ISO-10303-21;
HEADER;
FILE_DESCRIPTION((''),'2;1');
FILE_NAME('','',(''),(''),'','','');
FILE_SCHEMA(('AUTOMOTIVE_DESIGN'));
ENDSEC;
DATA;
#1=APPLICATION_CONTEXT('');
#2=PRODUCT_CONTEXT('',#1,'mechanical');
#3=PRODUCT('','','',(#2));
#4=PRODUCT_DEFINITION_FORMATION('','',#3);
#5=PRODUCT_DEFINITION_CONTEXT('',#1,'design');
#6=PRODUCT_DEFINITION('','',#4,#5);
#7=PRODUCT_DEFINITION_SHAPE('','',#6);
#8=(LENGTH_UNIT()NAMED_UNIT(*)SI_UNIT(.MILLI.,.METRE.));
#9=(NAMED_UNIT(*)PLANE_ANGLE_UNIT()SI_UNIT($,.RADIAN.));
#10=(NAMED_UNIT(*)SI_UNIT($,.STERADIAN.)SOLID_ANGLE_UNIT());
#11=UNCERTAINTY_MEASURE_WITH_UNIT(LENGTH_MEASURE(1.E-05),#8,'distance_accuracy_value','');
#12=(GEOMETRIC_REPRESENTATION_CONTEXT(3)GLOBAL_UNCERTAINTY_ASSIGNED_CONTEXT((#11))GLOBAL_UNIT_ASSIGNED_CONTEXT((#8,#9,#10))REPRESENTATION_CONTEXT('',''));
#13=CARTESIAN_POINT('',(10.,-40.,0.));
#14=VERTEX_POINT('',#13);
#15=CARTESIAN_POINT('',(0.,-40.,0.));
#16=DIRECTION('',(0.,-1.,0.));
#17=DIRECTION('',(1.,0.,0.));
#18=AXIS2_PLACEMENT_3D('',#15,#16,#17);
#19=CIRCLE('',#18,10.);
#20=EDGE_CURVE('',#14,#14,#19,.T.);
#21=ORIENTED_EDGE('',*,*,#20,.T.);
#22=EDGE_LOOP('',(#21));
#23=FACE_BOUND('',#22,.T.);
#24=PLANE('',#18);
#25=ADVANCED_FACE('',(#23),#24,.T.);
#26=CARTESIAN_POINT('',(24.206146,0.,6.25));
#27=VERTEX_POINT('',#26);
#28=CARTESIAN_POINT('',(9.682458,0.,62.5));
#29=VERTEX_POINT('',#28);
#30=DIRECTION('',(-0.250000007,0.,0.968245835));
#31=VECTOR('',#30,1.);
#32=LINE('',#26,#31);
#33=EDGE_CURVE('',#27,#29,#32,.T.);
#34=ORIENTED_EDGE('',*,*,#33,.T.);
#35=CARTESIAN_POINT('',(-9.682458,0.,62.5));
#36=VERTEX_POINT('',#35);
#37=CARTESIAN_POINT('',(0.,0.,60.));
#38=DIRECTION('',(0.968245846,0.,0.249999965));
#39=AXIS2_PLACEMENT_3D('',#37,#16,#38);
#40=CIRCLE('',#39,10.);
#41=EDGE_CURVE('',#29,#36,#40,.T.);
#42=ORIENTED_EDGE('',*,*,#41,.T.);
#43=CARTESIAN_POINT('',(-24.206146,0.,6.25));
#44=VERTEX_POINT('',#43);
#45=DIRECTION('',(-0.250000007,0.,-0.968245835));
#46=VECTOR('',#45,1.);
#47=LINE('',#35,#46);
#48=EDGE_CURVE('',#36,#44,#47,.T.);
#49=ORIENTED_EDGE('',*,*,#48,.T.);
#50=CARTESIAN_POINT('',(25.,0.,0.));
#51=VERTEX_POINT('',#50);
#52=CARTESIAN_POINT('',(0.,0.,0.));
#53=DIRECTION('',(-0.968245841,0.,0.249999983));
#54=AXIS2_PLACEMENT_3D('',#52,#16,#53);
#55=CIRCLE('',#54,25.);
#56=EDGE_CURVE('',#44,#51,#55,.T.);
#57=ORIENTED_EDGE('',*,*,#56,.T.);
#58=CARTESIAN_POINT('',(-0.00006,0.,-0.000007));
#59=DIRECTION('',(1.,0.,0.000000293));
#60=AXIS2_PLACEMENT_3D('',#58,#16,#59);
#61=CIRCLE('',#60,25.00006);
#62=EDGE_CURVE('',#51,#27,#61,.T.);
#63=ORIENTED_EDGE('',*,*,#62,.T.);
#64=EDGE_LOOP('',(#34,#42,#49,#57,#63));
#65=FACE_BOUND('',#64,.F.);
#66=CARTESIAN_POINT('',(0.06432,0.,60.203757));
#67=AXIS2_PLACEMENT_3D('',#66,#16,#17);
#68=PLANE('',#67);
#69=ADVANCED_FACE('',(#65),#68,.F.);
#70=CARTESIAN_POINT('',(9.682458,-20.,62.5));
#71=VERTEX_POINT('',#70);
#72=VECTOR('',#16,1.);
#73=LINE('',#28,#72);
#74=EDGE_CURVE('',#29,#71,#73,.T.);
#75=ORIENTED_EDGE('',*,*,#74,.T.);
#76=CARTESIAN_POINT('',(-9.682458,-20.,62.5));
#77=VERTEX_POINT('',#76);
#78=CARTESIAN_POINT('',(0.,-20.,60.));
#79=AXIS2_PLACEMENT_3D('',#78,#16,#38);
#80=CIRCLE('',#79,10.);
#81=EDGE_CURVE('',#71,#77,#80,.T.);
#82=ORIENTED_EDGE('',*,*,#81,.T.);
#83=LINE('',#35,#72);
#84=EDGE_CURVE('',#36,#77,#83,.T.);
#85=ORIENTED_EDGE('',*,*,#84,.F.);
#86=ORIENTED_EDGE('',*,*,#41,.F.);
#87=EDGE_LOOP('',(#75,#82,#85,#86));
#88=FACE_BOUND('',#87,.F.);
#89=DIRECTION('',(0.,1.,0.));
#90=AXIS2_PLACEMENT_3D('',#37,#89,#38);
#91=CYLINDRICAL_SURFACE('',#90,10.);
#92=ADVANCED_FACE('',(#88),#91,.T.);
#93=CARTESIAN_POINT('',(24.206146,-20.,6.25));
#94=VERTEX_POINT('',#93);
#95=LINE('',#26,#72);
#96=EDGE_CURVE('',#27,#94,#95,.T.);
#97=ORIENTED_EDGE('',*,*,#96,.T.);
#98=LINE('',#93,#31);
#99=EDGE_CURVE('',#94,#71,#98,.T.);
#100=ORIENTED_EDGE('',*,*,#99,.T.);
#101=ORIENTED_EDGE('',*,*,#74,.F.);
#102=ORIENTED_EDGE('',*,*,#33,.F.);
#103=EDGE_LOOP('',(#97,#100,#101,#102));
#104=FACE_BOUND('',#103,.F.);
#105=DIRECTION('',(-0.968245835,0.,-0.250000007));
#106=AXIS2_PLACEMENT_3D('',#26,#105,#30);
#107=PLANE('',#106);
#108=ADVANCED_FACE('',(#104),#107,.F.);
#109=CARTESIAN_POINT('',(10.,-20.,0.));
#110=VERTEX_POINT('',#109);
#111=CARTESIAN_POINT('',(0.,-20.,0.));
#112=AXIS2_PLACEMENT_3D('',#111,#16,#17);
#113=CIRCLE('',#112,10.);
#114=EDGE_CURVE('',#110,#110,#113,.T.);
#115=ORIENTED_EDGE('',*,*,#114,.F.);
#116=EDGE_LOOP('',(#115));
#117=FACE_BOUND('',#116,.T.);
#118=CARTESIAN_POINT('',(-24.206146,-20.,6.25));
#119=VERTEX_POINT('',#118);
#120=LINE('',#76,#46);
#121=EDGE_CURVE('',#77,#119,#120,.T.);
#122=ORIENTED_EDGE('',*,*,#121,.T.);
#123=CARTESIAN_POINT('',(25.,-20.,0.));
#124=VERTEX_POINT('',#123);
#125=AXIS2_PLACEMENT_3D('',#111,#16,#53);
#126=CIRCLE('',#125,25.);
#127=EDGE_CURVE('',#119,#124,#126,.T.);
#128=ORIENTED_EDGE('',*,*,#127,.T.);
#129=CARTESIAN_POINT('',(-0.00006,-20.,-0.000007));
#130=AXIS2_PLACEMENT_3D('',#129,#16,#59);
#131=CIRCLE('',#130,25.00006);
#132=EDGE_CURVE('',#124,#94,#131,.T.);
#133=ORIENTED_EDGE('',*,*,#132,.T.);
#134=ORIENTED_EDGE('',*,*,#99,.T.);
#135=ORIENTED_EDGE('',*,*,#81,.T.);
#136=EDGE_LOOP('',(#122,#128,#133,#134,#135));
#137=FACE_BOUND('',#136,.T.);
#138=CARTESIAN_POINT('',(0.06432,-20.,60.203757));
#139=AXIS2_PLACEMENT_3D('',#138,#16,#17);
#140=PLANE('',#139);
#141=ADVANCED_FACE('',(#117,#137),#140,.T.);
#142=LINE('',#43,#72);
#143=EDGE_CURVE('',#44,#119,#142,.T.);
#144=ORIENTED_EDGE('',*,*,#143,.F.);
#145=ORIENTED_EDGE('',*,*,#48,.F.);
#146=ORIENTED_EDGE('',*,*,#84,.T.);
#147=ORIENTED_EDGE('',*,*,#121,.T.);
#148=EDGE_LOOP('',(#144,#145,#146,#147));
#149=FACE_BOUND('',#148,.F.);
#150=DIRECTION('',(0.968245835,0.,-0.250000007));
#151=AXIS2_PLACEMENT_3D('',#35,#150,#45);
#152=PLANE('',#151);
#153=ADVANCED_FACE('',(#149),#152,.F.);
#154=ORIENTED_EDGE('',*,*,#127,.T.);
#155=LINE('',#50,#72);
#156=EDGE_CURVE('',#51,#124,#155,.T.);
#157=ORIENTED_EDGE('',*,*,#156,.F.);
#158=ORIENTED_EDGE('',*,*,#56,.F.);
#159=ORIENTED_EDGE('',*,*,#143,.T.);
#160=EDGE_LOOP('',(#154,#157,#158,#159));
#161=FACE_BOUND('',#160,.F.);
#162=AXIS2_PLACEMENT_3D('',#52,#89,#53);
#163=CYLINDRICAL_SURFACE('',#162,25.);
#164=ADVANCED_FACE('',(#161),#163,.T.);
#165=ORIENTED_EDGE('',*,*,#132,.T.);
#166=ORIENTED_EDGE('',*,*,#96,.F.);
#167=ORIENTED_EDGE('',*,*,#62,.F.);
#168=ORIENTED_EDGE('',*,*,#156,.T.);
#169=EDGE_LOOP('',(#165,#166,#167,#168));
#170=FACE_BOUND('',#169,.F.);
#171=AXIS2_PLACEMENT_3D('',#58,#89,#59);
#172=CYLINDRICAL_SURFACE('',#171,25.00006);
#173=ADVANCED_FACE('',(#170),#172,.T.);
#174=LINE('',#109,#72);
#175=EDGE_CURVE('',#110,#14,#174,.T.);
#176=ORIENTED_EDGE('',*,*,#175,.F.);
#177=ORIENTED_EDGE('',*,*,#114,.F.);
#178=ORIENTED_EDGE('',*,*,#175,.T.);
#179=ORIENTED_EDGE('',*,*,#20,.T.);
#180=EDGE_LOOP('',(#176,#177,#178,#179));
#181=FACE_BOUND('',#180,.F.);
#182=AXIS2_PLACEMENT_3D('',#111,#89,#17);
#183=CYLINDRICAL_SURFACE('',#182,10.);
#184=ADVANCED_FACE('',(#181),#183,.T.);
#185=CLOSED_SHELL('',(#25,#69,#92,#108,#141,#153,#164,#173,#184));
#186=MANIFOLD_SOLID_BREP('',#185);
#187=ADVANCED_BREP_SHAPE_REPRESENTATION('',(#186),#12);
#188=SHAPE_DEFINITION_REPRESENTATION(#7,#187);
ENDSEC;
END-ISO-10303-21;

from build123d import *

# Parameters (mm, degrees)
F1_DEPTH = 20
F2_R     = 10
F3_DEPTH = 20


with BuildPart() as f1:
    # F0 (on Front) → F1 (new body)
    with BuildSketch(Plane.XZ):
        with BuildLine():
            ThreePointArc((-9.682458, 62.5), (-1.260043, 50.079703), (10, 60))
            ThreePointArc((10, 60), (9.920297, 61.260043), (9.682458, 62.5))
            ThreePointArc((9.682458, 62.5), (0, 70), (-9.682458, 62.5))
        make_face()
        with BuildLine():
            ThreePointArc((9.682458, 62.5), (9.920297, 61.260043), (10, 60))
            ThreePointArc((10, 60), (-1.260043, 50.079703), (-9.682458, 62.5))
            Line((-9.682458, 62.5), (-24.206146, 6.25))
            ThreePointArc((-24.206146, 6.25), (0, 25), (24.206146, 6.25))
            Line((24.206146, 6.25), (9.682458, 62.5))
        make_face()
        with BuildLine():
            ThreePointArc((25, 0), (24.800742, 3.150107), (24.206146, 6.25))
            ThreePointArc((24.206146, 6.25), (0, 25), (-24.206146, 6.25))
            ThreePointArc((-24.206146, 6.25), (-3.150107, -24.800742), (25, 0))
        make_face()
    extrude(amount=F1_DEPTH)

    # F2 (on face) → F3 (join)
    with BuildSketch(Plane.XZ.offset(20)):
        Circle(F2_R)
    extrude(amount=F3_DEPTH)


solid = f1.part
